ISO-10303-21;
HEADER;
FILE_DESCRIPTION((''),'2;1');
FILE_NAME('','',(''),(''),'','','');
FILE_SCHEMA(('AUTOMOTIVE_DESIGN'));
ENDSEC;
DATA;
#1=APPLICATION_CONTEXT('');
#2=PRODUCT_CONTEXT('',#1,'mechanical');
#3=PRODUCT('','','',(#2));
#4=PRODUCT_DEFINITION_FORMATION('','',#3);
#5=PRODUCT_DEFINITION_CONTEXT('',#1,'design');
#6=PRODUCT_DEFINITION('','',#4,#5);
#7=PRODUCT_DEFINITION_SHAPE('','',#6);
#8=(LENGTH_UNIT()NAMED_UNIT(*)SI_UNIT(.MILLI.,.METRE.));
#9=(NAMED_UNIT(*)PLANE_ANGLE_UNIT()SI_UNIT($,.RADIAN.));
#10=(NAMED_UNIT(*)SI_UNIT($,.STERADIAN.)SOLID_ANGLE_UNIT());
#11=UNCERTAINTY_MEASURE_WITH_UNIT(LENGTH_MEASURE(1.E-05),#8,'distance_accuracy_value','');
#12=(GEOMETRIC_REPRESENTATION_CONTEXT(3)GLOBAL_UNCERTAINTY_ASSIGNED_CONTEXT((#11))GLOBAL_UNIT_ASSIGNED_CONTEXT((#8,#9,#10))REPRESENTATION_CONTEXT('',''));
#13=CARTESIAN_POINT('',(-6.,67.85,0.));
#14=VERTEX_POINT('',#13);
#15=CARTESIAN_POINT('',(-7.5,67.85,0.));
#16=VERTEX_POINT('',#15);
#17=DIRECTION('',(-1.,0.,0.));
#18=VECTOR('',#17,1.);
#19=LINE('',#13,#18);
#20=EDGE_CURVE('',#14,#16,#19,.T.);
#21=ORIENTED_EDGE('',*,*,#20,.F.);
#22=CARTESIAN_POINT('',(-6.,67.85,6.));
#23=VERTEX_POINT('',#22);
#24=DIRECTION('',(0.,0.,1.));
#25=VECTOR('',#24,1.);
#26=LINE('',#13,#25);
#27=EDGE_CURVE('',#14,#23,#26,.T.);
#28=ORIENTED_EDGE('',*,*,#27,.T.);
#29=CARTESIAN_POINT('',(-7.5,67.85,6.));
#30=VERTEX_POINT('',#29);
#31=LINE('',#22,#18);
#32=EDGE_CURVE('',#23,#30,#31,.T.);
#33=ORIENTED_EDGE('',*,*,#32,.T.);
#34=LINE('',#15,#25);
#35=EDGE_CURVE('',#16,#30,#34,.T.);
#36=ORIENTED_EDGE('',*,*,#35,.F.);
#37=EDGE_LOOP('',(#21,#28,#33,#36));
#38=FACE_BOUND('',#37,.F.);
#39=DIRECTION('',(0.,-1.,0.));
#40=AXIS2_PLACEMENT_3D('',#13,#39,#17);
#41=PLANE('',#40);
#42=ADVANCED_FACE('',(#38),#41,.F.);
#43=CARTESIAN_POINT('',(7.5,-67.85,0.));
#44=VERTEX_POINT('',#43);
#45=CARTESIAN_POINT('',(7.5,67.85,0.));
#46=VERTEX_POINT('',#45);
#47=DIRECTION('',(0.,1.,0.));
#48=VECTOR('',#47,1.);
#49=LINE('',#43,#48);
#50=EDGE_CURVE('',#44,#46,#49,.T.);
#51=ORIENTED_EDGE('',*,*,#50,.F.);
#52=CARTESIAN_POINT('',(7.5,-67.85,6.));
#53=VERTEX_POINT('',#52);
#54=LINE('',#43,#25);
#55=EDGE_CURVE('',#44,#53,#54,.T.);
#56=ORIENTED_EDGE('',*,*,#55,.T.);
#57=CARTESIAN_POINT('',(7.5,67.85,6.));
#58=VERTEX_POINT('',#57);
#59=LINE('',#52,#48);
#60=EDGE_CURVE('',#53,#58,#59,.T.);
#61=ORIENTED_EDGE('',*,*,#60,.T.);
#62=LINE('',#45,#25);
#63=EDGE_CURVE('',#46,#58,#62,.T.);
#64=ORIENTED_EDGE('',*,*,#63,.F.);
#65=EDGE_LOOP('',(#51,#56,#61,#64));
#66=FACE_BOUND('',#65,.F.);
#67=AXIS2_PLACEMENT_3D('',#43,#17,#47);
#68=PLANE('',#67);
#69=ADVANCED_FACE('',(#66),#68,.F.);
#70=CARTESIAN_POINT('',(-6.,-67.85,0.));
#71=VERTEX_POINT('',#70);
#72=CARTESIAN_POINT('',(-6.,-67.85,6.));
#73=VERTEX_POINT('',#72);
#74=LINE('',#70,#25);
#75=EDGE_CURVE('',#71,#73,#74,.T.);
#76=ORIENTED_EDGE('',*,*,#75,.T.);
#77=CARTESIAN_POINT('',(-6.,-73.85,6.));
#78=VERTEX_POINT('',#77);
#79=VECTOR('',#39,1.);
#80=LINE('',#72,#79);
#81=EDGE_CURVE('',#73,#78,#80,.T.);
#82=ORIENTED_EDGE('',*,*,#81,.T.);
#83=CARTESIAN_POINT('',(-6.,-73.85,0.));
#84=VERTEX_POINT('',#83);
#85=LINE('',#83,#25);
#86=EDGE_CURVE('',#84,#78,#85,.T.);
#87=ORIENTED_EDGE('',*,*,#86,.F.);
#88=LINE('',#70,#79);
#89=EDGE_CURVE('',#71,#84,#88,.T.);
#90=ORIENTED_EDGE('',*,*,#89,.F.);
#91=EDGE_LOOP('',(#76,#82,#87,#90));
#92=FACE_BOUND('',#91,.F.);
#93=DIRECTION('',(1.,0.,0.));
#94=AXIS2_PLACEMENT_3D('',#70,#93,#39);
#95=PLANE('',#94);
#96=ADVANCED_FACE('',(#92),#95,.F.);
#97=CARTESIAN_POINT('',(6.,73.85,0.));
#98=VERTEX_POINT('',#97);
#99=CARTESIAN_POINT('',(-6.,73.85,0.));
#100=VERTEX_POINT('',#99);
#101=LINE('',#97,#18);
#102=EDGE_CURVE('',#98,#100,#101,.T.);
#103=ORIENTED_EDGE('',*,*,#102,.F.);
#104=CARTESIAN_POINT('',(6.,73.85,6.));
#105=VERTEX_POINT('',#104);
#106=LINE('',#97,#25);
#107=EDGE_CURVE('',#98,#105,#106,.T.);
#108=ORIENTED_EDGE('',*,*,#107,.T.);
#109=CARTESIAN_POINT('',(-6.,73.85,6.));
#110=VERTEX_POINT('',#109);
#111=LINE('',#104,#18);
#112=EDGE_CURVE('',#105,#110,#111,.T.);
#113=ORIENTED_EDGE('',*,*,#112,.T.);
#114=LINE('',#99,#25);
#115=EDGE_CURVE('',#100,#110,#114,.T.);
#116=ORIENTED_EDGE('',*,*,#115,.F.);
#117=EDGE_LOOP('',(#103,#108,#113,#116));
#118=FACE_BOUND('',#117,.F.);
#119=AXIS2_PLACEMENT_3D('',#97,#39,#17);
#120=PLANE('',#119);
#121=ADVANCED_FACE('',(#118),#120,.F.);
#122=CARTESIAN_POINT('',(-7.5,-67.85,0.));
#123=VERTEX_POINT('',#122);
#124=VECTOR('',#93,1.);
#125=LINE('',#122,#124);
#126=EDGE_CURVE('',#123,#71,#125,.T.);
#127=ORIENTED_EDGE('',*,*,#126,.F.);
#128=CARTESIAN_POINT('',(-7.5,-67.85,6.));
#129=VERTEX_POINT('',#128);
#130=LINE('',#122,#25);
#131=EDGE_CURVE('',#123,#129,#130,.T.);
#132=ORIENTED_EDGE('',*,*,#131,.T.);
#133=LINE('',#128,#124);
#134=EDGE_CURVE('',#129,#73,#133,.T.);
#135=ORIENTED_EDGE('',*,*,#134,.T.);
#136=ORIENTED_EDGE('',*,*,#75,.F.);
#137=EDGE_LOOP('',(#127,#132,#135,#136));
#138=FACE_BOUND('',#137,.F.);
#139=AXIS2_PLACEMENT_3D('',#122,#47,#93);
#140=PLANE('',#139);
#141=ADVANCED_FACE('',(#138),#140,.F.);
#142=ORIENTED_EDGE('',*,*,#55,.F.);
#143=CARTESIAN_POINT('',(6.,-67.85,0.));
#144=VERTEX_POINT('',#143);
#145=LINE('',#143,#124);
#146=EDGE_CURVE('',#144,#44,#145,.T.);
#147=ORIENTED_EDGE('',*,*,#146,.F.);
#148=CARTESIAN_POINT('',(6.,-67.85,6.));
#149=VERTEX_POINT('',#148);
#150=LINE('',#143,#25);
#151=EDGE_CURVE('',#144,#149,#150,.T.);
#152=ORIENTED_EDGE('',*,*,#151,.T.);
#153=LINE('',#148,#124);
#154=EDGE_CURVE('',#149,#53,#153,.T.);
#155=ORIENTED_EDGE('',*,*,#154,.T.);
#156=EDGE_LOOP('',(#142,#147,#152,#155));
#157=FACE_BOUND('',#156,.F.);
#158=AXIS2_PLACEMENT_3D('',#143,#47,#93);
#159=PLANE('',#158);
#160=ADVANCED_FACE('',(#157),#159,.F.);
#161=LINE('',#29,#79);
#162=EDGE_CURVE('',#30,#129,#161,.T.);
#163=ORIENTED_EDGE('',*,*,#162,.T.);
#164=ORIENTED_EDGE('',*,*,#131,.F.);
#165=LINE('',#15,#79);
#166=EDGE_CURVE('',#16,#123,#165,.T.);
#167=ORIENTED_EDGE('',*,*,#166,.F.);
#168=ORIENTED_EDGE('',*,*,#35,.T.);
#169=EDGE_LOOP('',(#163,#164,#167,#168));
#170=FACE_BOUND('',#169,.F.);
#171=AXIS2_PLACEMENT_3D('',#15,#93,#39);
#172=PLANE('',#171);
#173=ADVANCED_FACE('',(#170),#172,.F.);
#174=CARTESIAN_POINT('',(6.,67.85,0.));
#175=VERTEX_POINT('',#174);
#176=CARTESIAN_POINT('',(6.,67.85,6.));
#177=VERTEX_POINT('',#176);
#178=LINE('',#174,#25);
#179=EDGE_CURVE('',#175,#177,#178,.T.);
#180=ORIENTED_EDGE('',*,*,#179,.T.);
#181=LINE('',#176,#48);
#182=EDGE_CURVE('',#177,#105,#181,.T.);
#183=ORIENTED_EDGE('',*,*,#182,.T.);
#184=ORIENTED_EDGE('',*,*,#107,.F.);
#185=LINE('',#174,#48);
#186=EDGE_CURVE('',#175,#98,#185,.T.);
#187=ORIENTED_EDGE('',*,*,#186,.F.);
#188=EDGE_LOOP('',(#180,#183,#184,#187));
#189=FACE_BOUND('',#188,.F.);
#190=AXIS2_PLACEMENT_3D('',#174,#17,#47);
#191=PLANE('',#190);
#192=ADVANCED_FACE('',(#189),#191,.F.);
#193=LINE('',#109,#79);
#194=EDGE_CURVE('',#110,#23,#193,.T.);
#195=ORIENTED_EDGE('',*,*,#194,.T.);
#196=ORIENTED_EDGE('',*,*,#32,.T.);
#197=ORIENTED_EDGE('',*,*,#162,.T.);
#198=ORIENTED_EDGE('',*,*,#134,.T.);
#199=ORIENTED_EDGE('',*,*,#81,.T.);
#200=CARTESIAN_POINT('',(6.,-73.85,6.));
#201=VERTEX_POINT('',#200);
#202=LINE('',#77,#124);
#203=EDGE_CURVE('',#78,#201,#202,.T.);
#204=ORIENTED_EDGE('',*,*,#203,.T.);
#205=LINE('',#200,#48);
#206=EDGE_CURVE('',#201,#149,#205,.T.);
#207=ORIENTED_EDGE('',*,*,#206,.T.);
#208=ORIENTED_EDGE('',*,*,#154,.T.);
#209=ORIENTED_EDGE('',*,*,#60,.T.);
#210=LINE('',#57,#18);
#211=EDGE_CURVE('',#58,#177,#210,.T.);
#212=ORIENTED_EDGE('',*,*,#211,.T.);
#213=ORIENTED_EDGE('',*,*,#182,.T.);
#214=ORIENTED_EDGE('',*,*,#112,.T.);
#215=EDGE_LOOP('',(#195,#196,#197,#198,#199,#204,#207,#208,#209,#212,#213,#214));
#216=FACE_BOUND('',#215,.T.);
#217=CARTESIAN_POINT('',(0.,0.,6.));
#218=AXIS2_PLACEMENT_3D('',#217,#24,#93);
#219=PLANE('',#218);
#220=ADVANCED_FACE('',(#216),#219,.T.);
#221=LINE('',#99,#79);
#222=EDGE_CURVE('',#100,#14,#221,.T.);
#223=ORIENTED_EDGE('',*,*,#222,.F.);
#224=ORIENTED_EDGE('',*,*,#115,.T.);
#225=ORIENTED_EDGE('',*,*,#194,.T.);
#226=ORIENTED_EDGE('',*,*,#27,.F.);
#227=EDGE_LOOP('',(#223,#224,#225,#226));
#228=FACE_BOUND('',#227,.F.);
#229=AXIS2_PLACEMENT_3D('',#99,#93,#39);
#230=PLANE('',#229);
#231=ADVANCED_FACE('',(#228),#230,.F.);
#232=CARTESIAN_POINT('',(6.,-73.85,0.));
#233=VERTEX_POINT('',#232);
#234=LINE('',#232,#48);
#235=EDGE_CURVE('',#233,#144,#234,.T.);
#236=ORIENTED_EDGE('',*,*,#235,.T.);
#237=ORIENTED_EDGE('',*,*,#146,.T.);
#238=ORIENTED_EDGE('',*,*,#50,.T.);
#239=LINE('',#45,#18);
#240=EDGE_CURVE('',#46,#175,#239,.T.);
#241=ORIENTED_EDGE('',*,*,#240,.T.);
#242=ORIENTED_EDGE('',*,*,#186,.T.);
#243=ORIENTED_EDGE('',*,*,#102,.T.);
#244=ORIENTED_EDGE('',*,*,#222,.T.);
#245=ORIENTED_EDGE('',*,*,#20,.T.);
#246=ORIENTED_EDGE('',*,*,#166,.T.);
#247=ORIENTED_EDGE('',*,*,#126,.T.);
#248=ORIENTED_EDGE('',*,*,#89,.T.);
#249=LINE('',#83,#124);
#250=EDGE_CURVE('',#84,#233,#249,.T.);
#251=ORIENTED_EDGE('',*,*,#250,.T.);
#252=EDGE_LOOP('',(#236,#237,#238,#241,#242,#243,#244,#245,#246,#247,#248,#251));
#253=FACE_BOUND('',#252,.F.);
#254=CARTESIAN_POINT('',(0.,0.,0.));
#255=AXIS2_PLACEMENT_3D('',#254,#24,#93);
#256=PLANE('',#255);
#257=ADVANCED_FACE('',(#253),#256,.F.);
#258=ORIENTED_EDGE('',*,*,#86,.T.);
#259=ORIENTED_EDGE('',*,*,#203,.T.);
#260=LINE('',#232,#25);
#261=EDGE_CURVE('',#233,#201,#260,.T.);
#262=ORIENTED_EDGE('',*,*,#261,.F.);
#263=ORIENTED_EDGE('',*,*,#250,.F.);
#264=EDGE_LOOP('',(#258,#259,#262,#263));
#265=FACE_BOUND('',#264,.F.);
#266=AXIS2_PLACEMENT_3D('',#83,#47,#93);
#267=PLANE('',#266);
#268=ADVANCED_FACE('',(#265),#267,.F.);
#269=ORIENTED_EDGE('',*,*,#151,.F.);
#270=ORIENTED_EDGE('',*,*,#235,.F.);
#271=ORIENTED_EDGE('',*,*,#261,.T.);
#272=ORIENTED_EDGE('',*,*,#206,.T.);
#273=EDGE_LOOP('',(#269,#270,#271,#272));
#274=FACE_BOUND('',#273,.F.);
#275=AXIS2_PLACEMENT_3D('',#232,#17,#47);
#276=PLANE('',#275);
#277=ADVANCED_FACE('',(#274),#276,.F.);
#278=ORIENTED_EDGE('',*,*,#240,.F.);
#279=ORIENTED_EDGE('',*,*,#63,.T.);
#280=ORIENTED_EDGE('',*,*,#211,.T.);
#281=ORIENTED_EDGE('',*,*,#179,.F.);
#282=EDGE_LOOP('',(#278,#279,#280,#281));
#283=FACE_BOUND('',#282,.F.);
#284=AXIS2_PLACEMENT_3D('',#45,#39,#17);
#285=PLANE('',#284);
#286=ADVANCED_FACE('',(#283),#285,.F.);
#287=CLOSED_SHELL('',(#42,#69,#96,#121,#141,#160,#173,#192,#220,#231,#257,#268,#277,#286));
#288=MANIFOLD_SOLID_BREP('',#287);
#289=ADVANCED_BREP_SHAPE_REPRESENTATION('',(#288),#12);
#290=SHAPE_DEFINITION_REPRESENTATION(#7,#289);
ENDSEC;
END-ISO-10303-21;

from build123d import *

# Parameters (mm, degrees)
F1_DEPTH = 6


with BuildPart() as f1:
    # F0 (on Top) → F1 (new body)
    with BuildSketch(Plane.XY):
        Polygon((-7.5, 67.85), (-7.5, 0), (-7.5, -67.85), (-6, -67.85), (-6, -73.85), (0, -73.85), (6, -73.85), (6, -67.85), (7.5, -67.85), (7.5, 0), (7.5, 67.85), (6, 67.85), (6, 73.85), (0, 73.85), (-6, 73.85), (-6, 67.85), align=None)
    extrude(amount=F1_DEPTH)


solid = f1.part
